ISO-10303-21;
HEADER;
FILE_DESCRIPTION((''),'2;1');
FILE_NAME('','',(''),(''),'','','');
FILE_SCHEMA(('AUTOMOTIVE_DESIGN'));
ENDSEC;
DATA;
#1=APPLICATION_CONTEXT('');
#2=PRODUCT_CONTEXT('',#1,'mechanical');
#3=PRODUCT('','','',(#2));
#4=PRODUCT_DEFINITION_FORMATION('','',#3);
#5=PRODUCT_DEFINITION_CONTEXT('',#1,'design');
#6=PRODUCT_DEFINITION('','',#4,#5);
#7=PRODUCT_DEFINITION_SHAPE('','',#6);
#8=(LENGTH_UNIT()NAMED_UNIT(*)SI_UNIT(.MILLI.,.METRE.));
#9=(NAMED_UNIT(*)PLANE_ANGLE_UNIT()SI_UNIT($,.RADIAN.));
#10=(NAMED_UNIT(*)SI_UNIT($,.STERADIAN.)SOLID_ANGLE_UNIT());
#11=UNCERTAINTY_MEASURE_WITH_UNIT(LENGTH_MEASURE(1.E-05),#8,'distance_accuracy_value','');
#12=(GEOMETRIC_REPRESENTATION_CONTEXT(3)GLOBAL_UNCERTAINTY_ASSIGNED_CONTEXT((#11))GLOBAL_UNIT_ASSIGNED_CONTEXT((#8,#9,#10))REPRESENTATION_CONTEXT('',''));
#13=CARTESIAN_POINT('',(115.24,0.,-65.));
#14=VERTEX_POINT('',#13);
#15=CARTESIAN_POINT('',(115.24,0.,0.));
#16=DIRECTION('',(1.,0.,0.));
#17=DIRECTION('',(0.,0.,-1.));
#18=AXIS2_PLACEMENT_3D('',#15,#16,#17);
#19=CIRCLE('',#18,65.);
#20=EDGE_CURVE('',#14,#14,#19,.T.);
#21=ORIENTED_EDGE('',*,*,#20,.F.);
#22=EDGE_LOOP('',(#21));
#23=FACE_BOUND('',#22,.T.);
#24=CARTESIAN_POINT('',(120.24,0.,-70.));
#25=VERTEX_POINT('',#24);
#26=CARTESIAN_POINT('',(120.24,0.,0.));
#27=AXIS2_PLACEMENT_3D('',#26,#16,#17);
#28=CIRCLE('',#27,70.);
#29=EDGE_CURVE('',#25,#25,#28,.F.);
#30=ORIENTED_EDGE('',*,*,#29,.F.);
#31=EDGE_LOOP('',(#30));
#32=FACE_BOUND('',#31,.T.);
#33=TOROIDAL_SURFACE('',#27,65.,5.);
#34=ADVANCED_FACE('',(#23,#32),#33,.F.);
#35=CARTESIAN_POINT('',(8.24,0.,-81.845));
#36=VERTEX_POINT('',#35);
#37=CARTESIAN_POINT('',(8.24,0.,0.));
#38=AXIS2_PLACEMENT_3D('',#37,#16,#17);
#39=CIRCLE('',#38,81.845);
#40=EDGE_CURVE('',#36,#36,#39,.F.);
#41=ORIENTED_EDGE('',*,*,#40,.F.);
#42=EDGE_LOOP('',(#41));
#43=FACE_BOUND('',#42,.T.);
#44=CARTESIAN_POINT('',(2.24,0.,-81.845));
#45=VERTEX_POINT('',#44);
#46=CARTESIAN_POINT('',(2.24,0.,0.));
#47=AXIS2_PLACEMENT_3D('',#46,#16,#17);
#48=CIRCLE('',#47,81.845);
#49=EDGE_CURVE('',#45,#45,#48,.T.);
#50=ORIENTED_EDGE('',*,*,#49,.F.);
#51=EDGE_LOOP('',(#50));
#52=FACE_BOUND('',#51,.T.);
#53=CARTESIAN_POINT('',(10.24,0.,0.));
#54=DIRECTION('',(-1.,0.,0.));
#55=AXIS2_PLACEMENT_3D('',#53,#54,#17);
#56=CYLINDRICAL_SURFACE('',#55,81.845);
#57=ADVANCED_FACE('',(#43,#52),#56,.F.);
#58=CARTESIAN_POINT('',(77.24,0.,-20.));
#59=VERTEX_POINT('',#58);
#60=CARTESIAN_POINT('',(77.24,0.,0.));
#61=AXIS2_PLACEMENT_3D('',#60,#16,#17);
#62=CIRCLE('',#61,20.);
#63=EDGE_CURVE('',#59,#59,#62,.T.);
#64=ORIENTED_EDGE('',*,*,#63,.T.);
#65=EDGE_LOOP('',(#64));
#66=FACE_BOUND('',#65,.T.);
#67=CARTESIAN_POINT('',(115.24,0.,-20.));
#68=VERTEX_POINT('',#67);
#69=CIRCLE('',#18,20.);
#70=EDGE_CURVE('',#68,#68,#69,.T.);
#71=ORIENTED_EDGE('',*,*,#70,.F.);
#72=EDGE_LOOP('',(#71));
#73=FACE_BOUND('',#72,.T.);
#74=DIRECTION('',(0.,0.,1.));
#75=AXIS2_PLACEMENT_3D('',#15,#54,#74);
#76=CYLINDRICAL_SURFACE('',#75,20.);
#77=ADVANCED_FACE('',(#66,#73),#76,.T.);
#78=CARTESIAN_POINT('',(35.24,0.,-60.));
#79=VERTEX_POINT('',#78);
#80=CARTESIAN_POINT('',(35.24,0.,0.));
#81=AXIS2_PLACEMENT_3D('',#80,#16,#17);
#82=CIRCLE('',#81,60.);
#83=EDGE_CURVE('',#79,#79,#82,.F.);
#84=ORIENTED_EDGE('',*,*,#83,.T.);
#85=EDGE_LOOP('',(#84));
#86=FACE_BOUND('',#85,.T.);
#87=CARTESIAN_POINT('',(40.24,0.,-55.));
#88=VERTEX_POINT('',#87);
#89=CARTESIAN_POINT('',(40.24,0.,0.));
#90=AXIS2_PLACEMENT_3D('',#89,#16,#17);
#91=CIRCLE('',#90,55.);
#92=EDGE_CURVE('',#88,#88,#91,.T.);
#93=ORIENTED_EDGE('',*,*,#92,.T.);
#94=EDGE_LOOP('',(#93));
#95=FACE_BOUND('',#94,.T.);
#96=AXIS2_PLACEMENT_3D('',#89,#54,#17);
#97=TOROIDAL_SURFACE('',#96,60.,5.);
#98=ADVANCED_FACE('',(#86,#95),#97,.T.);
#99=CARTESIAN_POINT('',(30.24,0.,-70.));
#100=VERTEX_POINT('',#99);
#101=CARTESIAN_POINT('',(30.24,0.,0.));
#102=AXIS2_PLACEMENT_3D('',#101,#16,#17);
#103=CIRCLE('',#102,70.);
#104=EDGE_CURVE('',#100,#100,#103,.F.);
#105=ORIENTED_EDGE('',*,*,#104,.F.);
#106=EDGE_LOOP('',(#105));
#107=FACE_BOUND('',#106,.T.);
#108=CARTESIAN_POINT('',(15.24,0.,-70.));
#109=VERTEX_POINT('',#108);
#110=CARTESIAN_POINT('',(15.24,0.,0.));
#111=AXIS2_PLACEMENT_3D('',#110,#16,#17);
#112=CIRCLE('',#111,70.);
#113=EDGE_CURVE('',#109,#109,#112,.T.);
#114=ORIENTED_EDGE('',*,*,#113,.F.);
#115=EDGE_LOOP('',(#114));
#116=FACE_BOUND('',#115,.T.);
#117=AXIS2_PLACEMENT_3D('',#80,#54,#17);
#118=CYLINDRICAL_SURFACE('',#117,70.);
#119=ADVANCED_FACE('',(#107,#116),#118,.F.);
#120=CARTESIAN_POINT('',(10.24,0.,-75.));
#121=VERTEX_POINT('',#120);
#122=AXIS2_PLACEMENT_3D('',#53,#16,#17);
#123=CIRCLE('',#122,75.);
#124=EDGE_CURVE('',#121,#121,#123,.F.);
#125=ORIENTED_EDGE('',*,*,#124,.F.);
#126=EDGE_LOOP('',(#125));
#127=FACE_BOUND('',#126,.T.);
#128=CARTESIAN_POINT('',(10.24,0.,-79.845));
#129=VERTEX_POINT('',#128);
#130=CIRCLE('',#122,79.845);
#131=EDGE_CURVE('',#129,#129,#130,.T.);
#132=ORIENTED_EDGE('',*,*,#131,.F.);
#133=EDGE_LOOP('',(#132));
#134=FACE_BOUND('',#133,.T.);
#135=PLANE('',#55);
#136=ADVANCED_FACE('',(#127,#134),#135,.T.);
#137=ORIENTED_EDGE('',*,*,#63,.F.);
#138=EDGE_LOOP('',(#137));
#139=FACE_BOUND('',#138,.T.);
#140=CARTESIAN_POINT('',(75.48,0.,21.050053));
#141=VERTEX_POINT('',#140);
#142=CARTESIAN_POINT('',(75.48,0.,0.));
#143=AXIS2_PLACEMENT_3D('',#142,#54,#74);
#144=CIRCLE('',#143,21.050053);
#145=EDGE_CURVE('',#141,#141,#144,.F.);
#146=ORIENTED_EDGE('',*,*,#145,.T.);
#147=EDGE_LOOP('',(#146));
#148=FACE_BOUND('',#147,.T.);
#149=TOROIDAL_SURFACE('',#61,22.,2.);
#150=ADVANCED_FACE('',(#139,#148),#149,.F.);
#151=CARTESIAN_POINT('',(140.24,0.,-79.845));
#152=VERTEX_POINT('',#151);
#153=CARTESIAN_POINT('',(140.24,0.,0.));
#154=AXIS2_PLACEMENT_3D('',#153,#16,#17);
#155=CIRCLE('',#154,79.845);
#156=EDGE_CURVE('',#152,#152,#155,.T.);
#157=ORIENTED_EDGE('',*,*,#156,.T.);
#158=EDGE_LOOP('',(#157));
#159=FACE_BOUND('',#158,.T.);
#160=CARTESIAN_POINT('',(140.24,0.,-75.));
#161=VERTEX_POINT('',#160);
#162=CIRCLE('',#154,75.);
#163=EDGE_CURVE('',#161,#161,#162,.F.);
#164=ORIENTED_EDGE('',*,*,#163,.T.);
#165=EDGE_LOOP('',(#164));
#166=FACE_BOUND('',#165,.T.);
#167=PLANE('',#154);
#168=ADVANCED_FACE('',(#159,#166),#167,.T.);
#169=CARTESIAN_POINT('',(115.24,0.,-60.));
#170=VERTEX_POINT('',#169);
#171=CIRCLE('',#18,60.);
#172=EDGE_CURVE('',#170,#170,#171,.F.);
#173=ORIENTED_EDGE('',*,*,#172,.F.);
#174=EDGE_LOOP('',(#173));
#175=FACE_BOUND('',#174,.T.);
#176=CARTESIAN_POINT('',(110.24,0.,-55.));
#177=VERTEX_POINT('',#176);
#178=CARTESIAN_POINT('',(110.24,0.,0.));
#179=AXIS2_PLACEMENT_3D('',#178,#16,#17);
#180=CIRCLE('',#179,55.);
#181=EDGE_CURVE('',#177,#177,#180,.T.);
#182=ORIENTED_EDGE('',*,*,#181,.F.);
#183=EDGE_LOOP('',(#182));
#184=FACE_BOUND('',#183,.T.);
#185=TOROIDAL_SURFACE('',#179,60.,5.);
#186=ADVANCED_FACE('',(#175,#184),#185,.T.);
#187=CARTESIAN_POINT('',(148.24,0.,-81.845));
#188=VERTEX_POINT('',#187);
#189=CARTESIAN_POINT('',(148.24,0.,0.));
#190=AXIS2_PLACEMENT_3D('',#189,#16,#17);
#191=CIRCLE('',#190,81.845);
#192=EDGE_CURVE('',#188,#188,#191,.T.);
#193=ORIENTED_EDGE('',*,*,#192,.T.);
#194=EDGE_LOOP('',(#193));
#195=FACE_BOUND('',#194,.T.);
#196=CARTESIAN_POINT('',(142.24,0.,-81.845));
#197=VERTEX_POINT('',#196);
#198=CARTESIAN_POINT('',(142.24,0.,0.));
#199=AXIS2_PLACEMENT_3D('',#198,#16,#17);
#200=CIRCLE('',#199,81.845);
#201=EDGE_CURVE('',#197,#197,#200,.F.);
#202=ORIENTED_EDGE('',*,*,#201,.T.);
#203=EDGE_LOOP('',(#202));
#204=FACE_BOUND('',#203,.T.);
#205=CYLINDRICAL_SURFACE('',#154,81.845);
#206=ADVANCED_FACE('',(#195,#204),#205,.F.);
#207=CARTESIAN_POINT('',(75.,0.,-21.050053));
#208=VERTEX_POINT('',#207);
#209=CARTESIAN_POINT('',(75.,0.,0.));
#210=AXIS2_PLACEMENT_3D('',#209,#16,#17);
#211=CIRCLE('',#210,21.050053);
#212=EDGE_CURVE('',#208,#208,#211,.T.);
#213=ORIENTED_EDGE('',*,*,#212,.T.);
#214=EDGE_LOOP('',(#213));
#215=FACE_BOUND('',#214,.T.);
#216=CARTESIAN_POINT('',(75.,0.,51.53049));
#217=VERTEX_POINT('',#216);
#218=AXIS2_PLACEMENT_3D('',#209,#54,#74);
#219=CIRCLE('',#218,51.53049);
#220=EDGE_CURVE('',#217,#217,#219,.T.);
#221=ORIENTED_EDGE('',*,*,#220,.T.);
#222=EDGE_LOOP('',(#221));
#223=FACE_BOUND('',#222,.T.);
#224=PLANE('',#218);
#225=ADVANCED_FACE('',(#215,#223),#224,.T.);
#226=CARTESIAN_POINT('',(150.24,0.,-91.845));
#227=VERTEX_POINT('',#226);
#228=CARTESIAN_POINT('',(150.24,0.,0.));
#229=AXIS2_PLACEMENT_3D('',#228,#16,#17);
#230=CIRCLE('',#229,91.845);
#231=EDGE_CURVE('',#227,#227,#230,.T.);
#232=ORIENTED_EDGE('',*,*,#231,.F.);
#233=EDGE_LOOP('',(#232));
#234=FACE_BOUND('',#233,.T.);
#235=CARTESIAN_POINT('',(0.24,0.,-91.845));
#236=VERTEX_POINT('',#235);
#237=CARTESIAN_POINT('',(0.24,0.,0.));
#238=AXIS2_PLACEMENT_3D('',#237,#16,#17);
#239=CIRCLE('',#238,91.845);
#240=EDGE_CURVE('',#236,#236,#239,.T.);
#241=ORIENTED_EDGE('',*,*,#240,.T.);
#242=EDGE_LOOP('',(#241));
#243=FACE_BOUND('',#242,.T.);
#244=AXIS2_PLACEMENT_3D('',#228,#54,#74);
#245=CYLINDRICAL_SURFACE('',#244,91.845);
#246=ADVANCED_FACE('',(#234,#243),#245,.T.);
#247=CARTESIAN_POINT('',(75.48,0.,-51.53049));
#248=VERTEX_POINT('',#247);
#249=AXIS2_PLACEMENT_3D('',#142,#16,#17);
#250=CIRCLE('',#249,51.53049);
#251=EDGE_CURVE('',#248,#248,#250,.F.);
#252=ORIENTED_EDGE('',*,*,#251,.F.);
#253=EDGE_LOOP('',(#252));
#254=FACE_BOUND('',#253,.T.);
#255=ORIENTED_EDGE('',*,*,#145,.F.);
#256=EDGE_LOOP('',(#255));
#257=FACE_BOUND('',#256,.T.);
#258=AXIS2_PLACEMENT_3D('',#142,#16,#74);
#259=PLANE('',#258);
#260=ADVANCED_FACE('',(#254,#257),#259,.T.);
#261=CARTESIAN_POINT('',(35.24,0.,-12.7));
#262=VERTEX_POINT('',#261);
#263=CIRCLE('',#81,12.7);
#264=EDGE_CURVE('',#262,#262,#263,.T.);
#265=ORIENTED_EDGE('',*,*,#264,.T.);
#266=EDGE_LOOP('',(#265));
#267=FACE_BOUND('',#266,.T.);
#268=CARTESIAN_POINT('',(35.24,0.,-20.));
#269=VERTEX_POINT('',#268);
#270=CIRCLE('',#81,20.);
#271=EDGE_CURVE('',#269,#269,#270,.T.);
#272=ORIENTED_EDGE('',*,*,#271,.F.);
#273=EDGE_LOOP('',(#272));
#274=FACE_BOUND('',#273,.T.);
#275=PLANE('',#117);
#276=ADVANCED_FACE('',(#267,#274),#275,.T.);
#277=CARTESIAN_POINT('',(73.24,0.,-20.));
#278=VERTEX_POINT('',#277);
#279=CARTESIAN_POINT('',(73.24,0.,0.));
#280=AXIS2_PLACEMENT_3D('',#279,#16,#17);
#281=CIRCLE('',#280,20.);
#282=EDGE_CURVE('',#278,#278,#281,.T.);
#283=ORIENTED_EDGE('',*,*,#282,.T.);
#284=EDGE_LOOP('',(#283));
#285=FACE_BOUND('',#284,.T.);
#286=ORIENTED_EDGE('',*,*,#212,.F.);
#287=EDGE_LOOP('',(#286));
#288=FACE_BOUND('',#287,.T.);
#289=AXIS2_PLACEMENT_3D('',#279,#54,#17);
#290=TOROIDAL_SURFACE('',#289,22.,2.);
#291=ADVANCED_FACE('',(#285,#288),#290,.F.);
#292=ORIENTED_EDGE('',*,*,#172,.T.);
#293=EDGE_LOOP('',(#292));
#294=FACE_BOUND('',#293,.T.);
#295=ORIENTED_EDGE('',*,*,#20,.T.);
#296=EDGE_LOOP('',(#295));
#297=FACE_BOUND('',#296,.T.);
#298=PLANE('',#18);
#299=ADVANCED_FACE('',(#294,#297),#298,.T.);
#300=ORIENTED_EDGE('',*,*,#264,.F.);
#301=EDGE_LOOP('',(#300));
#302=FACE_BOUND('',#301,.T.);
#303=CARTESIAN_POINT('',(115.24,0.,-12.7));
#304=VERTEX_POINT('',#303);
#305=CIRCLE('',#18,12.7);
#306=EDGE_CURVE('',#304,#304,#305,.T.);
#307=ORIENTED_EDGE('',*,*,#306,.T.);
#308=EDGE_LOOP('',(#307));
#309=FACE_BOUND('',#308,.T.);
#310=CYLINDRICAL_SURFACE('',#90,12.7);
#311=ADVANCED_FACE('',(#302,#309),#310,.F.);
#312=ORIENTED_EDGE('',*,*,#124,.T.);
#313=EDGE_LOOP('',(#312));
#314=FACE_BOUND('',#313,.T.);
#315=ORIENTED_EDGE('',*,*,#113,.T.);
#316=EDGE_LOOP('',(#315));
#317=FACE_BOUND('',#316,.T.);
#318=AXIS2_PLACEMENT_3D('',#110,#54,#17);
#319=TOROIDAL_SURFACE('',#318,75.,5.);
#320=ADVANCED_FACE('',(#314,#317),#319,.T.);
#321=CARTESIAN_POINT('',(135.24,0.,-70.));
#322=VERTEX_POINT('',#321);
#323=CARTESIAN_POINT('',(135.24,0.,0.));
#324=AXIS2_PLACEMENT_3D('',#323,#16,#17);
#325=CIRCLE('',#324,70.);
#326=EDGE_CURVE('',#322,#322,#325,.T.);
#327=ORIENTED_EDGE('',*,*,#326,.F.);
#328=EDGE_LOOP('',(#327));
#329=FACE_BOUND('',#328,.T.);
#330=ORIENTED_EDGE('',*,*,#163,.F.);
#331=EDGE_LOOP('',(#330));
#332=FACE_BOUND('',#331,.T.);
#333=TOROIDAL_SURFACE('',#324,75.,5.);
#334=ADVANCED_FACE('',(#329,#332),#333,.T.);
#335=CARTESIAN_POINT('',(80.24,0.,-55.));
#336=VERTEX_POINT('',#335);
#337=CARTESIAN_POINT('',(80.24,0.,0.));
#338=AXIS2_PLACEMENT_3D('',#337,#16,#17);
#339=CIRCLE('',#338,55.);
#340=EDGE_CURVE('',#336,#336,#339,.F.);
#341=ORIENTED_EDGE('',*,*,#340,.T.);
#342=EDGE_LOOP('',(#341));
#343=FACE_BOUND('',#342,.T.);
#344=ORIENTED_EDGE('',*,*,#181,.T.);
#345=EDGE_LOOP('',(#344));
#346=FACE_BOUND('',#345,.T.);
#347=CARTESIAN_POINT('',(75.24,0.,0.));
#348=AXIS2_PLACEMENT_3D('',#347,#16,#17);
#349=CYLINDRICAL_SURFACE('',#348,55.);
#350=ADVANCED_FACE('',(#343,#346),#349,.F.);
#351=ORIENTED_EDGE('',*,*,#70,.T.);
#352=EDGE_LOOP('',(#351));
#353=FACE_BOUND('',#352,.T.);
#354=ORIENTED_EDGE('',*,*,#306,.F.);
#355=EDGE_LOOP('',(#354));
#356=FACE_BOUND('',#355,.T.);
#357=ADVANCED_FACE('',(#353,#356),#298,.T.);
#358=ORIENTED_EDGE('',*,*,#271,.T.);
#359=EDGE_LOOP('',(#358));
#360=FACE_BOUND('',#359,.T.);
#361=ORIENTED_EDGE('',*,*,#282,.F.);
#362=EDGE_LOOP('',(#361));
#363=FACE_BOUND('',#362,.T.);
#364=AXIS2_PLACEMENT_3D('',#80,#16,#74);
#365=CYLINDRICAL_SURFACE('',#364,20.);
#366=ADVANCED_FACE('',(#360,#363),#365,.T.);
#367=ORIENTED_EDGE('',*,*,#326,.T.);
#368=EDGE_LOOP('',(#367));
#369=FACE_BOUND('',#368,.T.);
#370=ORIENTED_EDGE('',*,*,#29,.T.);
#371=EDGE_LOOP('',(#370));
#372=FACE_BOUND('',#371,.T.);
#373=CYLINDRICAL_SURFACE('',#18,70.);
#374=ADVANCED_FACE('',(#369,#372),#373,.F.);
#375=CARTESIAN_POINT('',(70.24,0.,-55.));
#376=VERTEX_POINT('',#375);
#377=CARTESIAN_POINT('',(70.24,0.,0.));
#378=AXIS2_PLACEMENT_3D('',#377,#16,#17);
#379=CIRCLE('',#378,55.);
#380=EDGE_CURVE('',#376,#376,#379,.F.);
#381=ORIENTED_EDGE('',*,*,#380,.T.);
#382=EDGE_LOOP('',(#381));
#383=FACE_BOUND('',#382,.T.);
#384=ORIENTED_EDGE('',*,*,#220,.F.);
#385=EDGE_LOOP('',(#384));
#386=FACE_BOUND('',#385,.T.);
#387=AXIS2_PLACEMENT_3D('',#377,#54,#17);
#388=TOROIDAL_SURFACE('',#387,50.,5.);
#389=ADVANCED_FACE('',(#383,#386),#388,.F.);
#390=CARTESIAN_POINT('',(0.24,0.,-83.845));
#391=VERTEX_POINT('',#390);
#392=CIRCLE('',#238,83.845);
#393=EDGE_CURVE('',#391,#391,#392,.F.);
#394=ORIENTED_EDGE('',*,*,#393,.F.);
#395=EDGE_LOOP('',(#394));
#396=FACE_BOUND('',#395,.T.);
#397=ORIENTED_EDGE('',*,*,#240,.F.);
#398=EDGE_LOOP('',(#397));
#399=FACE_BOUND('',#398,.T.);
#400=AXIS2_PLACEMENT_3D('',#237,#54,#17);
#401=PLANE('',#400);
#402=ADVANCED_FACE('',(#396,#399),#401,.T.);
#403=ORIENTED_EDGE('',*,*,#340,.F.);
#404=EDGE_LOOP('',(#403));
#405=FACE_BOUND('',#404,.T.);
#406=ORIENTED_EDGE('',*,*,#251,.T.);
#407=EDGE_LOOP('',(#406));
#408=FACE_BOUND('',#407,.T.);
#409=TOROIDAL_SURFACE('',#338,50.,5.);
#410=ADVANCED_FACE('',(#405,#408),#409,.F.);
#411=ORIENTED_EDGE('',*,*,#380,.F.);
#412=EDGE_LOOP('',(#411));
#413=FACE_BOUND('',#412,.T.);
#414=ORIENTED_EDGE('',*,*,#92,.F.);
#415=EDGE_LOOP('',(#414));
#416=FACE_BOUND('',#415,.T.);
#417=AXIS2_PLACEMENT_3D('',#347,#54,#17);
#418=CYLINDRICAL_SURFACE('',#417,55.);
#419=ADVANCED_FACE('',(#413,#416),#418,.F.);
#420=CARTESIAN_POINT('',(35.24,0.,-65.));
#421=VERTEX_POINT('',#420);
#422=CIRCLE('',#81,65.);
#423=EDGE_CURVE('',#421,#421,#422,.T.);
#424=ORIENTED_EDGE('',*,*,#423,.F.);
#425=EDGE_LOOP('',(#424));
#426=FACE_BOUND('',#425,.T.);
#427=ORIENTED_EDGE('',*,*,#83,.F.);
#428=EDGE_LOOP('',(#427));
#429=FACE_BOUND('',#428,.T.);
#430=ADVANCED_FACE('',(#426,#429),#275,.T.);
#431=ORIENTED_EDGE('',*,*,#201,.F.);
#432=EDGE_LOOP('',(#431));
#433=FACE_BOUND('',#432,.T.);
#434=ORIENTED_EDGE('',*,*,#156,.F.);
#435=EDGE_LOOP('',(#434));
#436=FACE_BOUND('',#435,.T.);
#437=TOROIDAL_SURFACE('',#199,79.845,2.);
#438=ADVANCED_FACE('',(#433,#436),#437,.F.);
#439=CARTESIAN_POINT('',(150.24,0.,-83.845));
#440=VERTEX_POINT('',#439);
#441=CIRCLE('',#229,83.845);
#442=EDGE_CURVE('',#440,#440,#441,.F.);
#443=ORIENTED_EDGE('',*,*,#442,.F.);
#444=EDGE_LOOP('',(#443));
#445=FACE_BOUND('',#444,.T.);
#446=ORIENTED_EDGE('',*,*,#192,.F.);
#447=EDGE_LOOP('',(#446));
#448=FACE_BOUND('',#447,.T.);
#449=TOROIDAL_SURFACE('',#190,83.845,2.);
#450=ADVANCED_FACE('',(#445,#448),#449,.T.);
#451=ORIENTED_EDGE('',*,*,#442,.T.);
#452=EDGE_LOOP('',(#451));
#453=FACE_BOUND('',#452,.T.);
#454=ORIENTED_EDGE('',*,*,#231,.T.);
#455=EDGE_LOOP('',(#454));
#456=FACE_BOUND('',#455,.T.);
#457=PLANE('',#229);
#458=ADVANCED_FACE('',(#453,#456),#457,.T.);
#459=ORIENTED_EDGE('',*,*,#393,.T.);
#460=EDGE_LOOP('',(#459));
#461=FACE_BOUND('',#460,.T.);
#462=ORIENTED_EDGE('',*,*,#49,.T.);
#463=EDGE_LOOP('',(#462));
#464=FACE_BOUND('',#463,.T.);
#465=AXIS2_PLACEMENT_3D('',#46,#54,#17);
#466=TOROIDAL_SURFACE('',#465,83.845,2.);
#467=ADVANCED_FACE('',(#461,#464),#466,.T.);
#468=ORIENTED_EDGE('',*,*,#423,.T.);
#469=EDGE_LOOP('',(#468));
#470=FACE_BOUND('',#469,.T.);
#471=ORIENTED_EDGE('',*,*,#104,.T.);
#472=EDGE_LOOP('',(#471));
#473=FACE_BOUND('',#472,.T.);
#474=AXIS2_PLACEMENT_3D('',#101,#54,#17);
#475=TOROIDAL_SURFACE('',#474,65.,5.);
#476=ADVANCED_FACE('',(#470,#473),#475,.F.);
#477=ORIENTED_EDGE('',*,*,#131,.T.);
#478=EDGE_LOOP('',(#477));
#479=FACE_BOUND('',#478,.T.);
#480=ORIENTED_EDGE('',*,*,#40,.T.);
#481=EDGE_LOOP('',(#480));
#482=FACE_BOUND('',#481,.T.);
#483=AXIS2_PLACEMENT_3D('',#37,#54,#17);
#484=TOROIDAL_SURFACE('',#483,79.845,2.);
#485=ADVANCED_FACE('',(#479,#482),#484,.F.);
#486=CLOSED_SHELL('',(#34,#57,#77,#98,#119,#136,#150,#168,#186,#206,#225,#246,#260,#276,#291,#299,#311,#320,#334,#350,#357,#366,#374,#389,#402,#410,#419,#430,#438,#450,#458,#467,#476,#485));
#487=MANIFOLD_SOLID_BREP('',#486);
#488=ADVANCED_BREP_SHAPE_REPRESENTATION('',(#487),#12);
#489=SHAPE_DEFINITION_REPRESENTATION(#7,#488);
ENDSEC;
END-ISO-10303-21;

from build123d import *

# Parameters (mm, degrees)
SKETCH1_R           = 91.845
BOSS_EXTRUDE1_DEPTH = 150.24
SKETCH2_R           = 81.845
CUT_EXTRUDE1_DEPTH  = 10
SKETCH3_R           = 70
CUT_EXTRUDE2_DEPTH  = 25
SKETCH4_R           = 55
CUT_EXTRUDE3_DEPTH  = 40
SKETCH5_R           = 20
BOSS_EXTRUDE3_DEPTH = 40
SKETCH6_R           = 91.845
CUT_EXTRUDE4_DEPTH  = 75
FILLET1_R           = 2
FILLET2_R           = 5
FILLET3_R           = 5
FILLET4_R           = 2
FILLET5_R           = 5
FILLET6_R           = 5
FILLET7_R           = 2
SKETCH7_R           = 12.7
CUT_EXTRUDE5_DEPTH  = 75


with BuildPart() as part:
    # Sketch1 → Boss-Extrude1 (new body)
    with BuildSketch(Plane(origin=(0, 0, 0), x_dir=(0, 0, -1), z_dir=(1, 0, 0))):
        Circle(SKETCH1_R)
    extrude(amount=BOSS_EXTRUDE1_DEPTH)

    # Sketch2 → Cut-Extrude1 (cut)
    with BuildSketch(Plane(origin=(150.24, 0, 0), x_dir=(0, 0, -1), z_dir=(1, 0, 0))):
        Circle(SKETCH2_R)
    extrude(amount=-CUT_EXTRUDE1_DEPTH, mode=Mode.SUBTRACT)

    # Sketch3 → Cut-Extrude2 (cut)
    with BuildSketch(Plane(origin=(140.24, 0, 0), x_dir=(0, 0, -1), z_dir=(1, 0, 0))):
        Circle(SKETCH3_R)
    extrude(amount=-CUT_EXTRUDE2_DEPTH, mode=Mode.SUBTRACT)

    # Sketch4 → Cut-Extrude3 (cut)
    with BuildSketch(Plane(origin=(115.24, 0, 0), x_dir=(0, 0, -1), z_dir=(1, 0, 0))):
        Circle(SKETCH4_R)
    extrude(amount=-CUT_EXTRUDE3_DEPTH, mode=Mode.SUBTRACT)

    # Sketch5 → Boss-Extrude3 (add)
    with BuildSketch(Plane(origin=(75.24, 0, 0), x_dir=(0, 0, -1), z_dir=(1, 0, 0))):
        Circle(SKETCH5_R)
    extrude(amount=BOSS_EXTRUDE3_DEPTH)

    # Sketch6 → Cut-Extrude4 (cut)
    with BuildSketch(Plane.ZY):
        Circle(SKETCH6_R)
    extrude(amount=-CUT_EXTRUDE4_DEPTH, mode=Mode.SUBTRACT)

    # Fillet1
    fillet1_edges = [part.edges().sort_by_distance(p)[0] for p in [
        (150.24, 0, 81.845),
    ]]
    fillet(fillet1_edges, radius=FILLET1_R)

    # Fillet2
    fillet2_edges = [part.edges().sort_by_distance(p)[0] for p in [
        (140.24, 0, 70),
    ]]
    fillet(fillet2_edges, radius=FILLET2_R)

    # Fillet3
    fillet3_edges = [part.edges().sort_by_distance(p)[0] for p in [
        (115.24, 0, 70),
    ]]
    fillet(fillet3_edges, radius=FILLET3_R)

    # Fillet4
    fillet4_edges = [part.edges().sort_by_distance(p)[0] for p in [
        (140.24, 0, 81.845),
    ]]
    fillet(fillet4_edges, radius=FILLET4_R)

    # Fillet5
    fillet5_edges = [part.edges().sort_by_distance(p)[0] for p in [
        (115.24, 0, 55),
    ]]
    fillet(fillet5_edges, radius=FILLET5_R)

    # Fillet6
    fillet6_edges = [part.edges().sort_by_distance(p)[0] for p in [
        (75.24, 0, 55),
    ]]
    fillet(fillet6_edges, radius=FILLET6_R)

    # Fillet7
    fillet7_edges = [part.edges().sort_by_distance(p)[0] for p in [
        (75.24, 0, 20),
    ]]
    fillet(fillet7_edges, radius=FILLET7_R)

    # Sketch7 → Cut-Extrude5 (cut)
    with BuildSketch(Plane(origin=(115.24, 0, 0), x_dir=(0, 0, -1), z_dir=(1, 0, 0))):
        Circle(SKETCH7_R)
    extrude(amount=-CUT_EXTRUDE5_DEPTH, mode=Mode.SUBTRACT)

    # Mirror9: part across plane


with BuildPart() as part_1:
    add(part.part)
    add(part.part.mirror(Plane(origin=(75.24, 0, 0), x_dir=(0, 0, 1), z_dir=(1, 0, 0))))


solid = part_1.part
